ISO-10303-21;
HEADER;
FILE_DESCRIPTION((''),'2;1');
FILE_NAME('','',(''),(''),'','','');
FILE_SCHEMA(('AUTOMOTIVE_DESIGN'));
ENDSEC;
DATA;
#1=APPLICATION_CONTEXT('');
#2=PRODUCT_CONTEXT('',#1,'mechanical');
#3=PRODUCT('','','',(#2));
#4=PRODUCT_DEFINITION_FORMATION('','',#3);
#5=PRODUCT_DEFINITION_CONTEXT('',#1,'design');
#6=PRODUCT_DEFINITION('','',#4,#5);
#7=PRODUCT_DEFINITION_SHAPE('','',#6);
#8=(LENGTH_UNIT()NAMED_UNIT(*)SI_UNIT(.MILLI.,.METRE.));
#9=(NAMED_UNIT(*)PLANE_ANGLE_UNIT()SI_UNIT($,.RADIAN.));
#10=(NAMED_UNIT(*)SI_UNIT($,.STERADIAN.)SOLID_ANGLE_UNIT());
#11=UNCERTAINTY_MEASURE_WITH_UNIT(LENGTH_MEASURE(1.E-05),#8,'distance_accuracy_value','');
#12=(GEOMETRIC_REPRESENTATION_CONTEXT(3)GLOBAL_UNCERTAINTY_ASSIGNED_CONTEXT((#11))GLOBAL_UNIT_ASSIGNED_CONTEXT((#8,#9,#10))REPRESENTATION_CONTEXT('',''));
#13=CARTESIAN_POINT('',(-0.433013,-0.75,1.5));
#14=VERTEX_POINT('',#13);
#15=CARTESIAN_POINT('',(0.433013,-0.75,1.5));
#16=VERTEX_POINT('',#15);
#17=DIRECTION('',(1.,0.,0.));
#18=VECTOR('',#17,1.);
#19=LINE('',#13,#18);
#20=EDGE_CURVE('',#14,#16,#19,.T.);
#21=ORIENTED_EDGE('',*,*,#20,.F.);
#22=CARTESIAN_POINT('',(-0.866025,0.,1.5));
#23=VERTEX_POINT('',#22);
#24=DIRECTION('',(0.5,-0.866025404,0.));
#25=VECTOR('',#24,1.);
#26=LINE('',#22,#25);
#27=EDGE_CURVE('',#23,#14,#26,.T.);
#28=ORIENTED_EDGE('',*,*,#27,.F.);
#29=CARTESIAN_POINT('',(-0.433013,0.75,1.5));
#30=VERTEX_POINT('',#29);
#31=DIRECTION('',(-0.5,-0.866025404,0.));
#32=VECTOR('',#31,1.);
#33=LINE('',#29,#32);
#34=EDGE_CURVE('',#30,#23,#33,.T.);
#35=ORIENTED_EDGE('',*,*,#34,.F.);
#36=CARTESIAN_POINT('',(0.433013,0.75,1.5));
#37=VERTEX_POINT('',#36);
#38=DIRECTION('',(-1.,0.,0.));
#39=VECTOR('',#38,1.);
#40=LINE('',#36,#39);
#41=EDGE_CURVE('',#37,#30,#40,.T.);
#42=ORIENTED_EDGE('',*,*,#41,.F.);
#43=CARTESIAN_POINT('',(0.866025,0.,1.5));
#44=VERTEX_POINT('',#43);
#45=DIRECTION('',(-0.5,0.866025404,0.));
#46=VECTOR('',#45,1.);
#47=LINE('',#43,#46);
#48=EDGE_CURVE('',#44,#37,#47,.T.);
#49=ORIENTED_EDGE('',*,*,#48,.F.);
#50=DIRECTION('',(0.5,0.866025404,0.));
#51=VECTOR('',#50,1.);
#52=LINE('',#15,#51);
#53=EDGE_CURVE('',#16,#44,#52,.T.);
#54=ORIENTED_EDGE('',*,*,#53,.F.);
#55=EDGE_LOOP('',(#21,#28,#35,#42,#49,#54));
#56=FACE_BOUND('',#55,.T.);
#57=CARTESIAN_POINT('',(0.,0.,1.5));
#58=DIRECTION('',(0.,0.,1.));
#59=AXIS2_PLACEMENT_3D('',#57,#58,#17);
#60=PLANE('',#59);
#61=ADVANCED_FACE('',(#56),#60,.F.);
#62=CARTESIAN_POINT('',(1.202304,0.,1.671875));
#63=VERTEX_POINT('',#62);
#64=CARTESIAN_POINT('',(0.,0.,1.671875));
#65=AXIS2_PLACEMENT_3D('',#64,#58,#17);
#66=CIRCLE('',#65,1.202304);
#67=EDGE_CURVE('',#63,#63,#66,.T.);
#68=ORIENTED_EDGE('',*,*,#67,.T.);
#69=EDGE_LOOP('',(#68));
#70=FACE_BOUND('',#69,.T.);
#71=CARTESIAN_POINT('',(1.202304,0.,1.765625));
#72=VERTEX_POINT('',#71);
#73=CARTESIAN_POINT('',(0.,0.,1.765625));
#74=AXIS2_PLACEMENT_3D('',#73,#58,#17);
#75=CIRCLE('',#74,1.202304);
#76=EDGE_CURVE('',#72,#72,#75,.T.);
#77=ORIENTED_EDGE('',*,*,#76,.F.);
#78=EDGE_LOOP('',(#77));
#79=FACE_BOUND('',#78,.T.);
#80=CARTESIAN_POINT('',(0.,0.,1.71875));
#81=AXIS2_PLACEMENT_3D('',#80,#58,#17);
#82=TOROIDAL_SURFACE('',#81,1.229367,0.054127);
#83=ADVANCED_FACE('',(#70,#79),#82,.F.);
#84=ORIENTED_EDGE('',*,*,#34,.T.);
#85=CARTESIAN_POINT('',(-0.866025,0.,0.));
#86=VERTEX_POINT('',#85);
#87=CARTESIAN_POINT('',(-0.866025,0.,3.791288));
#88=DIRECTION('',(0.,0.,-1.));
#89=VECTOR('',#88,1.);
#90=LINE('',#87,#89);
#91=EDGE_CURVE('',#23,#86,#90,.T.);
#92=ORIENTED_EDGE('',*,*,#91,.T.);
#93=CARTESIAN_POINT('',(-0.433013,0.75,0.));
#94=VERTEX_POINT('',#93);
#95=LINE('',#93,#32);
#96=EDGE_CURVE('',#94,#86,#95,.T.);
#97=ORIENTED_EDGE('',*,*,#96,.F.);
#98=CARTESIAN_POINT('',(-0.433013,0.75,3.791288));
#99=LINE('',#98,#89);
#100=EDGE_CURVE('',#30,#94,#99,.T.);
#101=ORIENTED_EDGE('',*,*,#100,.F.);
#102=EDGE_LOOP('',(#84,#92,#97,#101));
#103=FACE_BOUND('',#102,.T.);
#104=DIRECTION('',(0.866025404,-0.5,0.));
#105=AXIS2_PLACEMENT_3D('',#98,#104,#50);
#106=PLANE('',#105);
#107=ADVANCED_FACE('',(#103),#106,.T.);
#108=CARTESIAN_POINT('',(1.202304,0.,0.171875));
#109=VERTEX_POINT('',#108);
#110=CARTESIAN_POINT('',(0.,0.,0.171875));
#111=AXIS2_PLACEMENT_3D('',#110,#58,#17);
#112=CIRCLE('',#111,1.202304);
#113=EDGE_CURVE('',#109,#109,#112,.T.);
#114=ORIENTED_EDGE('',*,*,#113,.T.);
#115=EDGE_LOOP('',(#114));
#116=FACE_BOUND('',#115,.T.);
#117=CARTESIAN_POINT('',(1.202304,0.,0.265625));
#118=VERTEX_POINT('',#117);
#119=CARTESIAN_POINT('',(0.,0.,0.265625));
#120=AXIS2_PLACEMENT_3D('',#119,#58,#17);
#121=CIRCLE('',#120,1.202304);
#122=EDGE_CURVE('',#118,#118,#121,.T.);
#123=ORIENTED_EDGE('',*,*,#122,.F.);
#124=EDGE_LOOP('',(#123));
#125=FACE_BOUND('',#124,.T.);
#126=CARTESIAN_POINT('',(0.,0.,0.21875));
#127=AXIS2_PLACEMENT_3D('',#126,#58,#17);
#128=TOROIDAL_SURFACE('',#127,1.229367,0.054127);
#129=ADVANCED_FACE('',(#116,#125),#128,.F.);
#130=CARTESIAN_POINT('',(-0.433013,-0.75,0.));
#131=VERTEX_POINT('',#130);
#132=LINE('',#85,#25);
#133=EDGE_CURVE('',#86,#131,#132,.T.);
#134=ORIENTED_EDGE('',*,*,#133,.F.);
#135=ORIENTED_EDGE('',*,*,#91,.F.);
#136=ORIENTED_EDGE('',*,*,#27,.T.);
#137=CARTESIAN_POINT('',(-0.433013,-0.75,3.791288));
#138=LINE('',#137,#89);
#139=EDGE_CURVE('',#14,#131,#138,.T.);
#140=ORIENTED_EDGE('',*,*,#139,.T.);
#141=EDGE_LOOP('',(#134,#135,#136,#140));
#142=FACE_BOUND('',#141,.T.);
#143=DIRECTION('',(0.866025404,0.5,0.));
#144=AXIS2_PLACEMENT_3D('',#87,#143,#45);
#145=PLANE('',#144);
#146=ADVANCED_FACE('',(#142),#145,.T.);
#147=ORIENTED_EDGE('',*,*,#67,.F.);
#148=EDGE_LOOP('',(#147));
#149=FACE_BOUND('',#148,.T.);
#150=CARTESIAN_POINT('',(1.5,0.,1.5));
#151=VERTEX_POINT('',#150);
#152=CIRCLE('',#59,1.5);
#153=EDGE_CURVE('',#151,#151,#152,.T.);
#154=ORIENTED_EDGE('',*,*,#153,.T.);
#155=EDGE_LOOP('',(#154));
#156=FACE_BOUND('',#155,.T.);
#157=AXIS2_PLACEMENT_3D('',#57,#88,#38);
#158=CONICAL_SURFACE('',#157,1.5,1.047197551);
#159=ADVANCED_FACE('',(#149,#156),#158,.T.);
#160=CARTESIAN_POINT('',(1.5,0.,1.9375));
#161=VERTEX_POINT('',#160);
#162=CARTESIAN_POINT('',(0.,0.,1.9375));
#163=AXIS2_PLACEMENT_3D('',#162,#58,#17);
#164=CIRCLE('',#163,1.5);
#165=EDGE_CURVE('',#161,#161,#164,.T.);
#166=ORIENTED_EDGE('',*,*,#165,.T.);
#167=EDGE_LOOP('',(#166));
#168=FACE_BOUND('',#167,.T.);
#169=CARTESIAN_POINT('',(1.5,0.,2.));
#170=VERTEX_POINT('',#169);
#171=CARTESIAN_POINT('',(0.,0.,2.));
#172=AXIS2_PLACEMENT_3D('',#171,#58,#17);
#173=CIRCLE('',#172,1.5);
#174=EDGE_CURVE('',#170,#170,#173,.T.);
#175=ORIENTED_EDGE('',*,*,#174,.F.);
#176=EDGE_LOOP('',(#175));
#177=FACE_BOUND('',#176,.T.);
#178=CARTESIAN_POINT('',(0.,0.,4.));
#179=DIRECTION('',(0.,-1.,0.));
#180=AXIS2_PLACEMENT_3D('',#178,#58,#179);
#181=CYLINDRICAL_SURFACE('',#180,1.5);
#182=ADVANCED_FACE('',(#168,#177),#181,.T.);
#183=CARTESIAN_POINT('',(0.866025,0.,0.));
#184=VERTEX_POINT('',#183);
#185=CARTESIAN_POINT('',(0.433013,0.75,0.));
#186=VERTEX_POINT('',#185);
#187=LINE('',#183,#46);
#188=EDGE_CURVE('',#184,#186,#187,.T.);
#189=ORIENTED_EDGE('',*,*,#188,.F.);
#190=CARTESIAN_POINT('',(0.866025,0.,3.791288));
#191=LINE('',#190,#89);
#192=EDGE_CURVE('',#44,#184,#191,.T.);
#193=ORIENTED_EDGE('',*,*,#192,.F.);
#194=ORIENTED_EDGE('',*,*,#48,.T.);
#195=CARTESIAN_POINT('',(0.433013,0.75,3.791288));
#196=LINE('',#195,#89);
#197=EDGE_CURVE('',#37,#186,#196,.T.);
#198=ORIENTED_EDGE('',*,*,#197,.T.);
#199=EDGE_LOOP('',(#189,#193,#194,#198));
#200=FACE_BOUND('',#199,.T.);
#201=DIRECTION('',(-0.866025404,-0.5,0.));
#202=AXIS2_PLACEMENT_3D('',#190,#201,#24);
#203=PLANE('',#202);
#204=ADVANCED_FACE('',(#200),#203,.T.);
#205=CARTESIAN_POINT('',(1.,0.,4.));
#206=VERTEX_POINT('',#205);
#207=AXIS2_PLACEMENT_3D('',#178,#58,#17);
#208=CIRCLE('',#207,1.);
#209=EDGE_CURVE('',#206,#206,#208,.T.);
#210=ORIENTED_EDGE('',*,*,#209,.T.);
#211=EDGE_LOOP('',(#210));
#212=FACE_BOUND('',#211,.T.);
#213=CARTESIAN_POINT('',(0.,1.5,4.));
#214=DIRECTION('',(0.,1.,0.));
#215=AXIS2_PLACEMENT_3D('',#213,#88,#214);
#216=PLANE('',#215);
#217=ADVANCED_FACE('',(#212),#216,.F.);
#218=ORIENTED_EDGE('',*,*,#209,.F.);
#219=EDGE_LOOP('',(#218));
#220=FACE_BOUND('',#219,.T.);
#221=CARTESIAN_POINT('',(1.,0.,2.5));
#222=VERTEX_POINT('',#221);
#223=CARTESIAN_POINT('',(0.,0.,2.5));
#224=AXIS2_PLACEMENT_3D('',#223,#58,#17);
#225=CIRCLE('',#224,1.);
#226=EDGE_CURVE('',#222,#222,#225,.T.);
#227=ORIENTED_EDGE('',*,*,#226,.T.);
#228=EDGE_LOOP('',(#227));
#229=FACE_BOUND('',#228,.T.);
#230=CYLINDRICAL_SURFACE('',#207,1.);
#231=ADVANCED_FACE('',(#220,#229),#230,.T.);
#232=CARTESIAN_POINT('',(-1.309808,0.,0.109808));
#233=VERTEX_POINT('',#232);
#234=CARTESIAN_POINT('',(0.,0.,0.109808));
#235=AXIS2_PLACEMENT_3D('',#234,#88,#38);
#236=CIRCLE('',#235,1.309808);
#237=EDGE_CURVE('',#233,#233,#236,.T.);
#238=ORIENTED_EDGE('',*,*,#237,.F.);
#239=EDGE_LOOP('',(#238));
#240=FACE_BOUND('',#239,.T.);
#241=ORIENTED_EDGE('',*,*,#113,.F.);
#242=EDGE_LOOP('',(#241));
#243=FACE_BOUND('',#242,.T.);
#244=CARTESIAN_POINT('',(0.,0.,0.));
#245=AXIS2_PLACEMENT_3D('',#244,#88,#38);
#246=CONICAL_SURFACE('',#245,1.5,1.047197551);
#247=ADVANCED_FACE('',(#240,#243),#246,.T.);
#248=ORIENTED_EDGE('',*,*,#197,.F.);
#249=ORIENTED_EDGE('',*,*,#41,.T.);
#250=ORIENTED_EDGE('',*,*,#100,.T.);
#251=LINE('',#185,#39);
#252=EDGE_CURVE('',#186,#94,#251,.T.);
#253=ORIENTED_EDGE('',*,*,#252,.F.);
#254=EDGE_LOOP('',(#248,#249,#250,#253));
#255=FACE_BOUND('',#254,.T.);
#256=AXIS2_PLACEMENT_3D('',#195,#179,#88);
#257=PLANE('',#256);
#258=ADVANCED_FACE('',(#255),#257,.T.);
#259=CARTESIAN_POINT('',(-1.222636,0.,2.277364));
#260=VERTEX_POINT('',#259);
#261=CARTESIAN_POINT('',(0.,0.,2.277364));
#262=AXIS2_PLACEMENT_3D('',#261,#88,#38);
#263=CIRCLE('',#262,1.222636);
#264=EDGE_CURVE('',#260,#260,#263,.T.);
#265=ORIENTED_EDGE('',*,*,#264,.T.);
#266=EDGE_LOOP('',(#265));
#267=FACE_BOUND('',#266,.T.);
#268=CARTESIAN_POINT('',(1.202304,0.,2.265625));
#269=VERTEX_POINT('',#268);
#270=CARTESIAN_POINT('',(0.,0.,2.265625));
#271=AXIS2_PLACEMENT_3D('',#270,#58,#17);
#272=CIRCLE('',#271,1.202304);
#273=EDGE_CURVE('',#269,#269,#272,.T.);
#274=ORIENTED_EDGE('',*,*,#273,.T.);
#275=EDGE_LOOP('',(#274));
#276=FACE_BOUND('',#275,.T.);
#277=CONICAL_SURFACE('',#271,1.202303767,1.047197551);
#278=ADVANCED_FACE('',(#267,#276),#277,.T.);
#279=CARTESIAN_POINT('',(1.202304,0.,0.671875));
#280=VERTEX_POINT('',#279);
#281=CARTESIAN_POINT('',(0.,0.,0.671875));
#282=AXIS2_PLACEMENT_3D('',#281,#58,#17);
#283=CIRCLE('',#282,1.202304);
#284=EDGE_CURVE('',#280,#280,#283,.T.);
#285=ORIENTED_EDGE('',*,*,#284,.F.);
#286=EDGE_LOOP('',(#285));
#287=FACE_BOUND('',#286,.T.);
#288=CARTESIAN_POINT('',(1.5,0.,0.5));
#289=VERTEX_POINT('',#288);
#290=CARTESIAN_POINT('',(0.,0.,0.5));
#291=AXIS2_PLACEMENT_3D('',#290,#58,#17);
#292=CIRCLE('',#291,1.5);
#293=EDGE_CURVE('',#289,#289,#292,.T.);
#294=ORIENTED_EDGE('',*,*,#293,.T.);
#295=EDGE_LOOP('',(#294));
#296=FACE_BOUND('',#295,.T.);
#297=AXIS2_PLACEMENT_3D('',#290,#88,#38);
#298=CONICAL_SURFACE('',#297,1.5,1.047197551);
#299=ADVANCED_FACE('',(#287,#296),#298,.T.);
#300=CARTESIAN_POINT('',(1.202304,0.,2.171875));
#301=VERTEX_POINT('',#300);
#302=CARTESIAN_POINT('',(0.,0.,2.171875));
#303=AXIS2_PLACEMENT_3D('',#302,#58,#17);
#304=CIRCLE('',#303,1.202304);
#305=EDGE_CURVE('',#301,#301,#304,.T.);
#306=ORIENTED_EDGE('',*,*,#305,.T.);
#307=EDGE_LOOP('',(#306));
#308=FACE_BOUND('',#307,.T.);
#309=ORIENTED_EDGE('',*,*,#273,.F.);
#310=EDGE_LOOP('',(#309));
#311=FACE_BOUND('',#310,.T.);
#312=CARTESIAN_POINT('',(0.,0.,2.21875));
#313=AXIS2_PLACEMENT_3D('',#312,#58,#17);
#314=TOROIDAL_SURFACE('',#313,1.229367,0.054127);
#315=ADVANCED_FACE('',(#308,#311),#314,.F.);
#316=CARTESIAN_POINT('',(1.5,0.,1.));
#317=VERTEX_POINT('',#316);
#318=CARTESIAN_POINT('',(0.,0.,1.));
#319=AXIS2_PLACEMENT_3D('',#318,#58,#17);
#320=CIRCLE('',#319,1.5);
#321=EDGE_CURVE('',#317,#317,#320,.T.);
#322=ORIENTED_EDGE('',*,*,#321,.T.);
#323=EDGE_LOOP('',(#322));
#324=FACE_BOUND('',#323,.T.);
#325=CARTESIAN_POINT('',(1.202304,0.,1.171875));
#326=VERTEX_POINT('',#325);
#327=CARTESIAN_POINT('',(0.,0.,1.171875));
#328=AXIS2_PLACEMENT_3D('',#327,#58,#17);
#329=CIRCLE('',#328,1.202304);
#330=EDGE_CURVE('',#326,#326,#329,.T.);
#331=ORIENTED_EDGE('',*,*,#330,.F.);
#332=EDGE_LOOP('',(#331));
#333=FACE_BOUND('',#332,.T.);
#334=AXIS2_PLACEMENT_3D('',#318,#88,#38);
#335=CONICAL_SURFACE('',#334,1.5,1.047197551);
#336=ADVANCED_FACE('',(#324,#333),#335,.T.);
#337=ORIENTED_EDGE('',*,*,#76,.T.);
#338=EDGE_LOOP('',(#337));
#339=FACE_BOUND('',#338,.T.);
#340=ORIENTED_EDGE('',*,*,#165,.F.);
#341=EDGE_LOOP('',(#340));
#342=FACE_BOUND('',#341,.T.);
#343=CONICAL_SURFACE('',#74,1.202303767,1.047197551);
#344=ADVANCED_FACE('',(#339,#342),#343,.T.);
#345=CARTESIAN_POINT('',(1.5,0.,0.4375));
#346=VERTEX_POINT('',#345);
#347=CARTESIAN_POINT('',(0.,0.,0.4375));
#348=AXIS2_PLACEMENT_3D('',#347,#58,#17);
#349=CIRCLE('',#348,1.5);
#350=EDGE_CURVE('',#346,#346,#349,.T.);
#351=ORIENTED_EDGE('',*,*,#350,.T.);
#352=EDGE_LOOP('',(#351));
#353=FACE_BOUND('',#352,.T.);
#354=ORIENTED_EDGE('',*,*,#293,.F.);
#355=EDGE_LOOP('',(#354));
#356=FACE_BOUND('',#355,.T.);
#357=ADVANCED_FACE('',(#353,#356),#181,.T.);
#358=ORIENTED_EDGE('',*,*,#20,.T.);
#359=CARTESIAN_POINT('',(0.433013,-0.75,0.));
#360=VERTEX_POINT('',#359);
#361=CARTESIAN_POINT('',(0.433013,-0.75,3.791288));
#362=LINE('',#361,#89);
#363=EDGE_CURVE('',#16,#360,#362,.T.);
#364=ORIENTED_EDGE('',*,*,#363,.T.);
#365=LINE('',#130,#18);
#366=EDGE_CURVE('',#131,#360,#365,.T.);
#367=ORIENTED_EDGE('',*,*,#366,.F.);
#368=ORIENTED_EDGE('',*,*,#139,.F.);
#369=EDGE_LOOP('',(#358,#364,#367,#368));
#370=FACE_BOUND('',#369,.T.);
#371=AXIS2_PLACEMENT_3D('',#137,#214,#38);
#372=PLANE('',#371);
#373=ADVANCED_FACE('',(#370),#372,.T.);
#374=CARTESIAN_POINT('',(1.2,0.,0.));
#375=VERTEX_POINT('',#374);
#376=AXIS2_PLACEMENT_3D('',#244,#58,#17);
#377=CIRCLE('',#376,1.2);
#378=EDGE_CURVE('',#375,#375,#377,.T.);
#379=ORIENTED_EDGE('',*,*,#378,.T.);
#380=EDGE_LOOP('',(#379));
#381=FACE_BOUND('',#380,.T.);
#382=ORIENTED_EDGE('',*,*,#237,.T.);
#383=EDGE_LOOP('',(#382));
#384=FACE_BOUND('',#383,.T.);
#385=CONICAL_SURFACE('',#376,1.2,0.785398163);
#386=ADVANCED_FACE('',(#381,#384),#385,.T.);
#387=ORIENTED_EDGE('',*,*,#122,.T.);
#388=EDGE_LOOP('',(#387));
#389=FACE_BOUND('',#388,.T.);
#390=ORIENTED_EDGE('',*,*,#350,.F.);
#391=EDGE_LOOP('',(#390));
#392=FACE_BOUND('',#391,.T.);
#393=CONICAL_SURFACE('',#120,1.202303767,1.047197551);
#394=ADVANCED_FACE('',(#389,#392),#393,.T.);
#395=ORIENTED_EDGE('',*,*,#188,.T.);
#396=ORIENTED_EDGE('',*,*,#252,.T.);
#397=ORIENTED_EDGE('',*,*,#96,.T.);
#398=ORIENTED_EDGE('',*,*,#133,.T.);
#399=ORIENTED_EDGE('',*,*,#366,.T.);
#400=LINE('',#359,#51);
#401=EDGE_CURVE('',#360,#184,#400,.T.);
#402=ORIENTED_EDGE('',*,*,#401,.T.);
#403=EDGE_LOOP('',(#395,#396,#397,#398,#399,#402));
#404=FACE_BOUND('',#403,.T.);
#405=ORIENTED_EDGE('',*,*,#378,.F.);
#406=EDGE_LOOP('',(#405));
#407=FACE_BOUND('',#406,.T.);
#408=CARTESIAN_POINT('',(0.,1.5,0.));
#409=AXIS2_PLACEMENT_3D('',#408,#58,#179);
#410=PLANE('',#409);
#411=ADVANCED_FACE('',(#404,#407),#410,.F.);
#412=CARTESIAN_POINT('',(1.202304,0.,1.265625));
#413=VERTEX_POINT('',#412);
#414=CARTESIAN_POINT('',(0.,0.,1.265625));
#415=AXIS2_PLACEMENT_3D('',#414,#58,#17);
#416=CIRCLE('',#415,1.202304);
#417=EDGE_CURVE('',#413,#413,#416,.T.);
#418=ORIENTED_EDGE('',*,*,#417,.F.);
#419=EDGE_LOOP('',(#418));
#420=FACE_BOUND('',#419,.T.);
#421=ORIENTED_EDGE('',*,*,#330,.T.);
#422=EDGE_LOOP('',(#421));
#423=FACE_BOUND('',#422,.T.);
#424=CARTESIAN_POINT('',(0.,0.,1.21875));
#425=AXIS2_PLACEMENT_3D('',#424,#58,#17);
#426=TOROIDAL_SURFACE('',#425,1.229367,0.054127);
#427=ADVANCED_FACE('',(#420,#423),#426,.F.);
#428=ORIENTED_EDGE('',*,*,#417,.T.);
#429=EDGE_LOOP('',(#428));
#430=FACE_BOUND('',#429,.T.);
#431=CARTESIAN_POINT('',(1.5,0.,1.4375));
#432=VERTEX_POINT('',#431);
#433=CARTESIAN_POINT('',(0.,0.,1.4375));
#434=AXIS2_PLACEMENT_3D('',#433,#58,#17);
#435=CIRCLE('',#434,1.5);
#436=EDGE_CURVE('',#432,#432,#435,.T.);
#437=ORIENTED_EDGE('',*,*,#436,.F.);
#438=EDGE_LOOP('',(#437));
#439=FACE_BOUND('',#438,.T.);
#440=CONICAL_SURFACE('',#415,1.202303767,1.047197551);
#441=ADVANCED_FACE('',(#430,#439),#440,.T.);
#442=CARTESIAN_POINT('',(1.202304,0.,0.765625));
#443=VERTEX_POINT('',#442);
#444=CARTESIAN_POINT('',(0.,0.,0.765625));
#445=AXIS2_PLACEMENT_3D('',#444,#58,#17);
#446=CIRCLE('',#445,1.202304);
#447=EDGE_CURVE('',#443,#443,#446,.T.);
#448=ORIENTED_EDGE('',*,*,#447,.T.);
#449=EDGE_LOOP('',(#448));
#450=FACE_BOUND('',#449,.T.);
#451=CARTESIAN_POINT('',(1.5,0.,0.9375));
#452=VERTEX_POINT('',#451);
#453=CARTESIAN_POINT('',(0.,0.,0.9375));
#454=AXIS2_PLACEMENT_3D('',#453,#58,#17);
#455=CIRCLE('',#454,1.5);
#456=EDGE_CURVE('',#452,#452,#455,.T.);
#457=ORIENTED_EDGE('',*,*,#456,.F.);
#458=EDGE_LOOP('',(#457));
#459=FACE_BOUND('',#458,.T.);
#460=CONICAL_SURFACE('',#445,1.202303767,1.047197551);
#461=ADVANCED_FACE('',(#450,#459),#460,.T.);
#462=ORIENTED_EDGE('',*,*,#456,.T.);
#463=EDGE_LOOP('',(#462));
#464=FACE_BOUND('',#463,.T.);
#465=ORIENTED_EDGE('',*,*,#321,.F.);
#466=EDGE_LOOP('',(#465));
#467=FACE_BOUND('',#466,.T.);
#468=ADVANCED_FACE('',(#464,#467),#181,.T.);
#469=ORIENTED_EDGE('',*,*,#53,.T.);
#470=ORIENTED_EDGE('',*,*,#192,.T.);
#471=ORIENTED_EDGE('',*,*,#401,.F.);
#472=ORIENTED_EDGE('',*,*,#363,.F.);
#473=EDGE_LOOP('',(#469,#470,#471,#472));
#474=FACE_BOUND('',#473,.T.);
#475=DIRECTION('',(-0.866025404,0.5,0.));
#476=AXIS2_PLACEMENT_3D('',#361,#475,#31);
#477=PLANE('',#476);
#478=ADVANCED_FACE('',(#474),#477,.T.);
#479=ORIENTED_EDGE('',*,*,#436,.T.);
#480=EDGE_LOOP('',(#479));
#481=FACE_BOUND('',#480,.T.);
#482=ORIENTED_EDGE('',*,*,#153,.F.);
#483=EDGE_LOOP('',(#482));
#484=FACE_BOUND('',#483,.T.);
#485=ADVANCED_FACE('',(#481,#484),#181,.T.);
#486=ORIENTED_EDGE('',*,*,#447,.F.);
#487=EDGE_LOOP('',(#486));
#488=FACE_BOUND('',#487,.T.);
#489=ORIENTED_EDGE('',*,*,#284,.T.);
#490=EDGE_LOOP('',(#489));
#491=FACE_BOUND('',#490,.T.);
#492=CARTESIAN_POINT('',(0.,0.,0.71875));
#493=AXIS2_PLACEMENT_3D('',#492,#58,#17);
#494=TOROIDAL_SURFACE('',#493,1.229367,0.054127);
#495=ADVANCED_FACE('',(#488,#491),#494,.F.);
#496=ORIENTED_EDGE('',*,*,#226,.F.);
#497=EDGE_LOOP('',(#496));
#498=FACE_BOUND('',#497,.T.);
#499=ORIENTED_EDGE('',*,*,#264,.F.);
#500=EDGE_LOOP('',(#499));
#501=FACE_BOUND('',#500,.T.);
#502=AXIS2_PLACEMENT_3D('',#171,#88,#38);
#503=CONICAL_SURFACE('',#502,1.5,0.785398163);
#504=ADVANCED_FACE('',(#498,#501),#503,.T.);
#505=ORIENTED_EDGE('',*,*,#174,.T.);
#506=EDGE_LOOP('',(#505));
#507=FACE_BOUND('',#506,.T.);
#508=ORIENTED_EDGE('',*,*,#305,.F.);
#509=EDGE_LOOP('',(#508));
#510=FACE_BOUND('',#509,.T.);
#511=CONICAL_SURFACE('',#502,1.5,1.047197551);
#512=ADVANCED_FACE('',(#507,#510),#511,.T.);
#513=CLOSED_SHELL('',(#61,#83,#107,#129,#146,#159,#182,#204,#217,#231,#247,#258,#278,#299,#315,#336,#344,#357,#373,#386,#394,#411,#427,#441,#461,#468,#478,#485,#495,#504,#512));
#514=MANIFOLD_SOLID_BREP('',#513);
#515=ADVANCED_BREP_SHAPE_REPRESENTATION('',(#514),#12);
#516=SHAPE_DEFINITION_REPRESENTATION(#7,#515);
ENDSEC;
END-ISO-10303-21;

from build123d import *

# Parameters (mm, degrees)
SKETCH5_W           = 4
SKETCH5_H           = 1.5
THREAD_SIMPLE_COUNT = 9
THREAD_SIMPLE_PITCH = 0.5
CUT_HEAD_KEY_DEPTH  = 1.5


with BuildPart() as part:
    # Sketch5 → body (revolve)
    with BuildSketch(Plane(origin=(0, 0, 0), x_dir=(0, 0, -1), z_dir=(1, 0, 0))):
        with Locations((-2, 0.75)):
            Rectangle(SKETCH5_W, SKETCH5_H)
    revolve(axis=Axis((0, 0, 4), (0, 0, -1)))

    # Sketch13 → cut-chamfer-end (revolve, cut)
    with BuildSketch(Plane(origin=(0, 0, 0), x_dir=(0, 0, -1), z_dir=(1, 0, 0))):
        Polygon((0, -1.5), (-0.3, -1.5), (0, -1.2), align=None)
    revolve(axis=Axis((0, 0, 4), (0, 0, -1)), mode=Mode.SUBTRACT)

    # Sketch8 → thread-single (revolve, cut)
    with BuildSketch(Plane(origin=(0, 0, 0), x_dir=(0, 0, -1), z_dir=(1, 0, 0))):
        with BuildLine():
            Line((-0.4375, -1.5), (0, -1.5))
            Line((0, -1.5), (-0.171875, -1.202303767))
            ThreePointArc((-0.171875, -1.202303767), (-0.21875, -1.175240474), (-0.265625, -1.202303767))
            Line((-0.265625, -1.202303767), (-0.4375, -1.5))
        make_face()
    thread_single = revolve(axis=Axis((0, 0, 4), (0, 0, -1)), mode=Mode.SUBTRACT)

    # thread-simple: thread-single ×9
    with Locations(*[(0, 0, i * THREAD_SIMPLE_PITCH) for i in range(1, THREAD_SIMPLE_COUNT)]):
        add(thread_single, mode=Mode.SUBTRACT)

    # Sketch25 → cut-head-key (cut)
    with BuildSketch(Plane.XY):
        Polygon((0.433012702, 0.75), (-0.433012702, 0.75), (-0.866025404, 0), (-0.433012702, -0.75), (0.433012702, -0.75), (0.866025404, 0), align=None)
    extrude(amount=CUT_HEAD_KEY_DEPTH, mode=Mode.SUBTRACT)

    # Sketch26 → cut-top-body (revolve, cut)
    with BuildSketch(Plane(origin=(0, 0, 0), x_dir=(0, 0, -1), z_dir=(1, 0, 0))):
        Polygon((-4, -1.5), (-4, -1), (-2.5, -1), (-2, -1.5), align=None)
    revolve(axis=Axis((0, 0, 4), (0, 0, -1)), mode=Mode.SUBTRACT)


solid = part.part
